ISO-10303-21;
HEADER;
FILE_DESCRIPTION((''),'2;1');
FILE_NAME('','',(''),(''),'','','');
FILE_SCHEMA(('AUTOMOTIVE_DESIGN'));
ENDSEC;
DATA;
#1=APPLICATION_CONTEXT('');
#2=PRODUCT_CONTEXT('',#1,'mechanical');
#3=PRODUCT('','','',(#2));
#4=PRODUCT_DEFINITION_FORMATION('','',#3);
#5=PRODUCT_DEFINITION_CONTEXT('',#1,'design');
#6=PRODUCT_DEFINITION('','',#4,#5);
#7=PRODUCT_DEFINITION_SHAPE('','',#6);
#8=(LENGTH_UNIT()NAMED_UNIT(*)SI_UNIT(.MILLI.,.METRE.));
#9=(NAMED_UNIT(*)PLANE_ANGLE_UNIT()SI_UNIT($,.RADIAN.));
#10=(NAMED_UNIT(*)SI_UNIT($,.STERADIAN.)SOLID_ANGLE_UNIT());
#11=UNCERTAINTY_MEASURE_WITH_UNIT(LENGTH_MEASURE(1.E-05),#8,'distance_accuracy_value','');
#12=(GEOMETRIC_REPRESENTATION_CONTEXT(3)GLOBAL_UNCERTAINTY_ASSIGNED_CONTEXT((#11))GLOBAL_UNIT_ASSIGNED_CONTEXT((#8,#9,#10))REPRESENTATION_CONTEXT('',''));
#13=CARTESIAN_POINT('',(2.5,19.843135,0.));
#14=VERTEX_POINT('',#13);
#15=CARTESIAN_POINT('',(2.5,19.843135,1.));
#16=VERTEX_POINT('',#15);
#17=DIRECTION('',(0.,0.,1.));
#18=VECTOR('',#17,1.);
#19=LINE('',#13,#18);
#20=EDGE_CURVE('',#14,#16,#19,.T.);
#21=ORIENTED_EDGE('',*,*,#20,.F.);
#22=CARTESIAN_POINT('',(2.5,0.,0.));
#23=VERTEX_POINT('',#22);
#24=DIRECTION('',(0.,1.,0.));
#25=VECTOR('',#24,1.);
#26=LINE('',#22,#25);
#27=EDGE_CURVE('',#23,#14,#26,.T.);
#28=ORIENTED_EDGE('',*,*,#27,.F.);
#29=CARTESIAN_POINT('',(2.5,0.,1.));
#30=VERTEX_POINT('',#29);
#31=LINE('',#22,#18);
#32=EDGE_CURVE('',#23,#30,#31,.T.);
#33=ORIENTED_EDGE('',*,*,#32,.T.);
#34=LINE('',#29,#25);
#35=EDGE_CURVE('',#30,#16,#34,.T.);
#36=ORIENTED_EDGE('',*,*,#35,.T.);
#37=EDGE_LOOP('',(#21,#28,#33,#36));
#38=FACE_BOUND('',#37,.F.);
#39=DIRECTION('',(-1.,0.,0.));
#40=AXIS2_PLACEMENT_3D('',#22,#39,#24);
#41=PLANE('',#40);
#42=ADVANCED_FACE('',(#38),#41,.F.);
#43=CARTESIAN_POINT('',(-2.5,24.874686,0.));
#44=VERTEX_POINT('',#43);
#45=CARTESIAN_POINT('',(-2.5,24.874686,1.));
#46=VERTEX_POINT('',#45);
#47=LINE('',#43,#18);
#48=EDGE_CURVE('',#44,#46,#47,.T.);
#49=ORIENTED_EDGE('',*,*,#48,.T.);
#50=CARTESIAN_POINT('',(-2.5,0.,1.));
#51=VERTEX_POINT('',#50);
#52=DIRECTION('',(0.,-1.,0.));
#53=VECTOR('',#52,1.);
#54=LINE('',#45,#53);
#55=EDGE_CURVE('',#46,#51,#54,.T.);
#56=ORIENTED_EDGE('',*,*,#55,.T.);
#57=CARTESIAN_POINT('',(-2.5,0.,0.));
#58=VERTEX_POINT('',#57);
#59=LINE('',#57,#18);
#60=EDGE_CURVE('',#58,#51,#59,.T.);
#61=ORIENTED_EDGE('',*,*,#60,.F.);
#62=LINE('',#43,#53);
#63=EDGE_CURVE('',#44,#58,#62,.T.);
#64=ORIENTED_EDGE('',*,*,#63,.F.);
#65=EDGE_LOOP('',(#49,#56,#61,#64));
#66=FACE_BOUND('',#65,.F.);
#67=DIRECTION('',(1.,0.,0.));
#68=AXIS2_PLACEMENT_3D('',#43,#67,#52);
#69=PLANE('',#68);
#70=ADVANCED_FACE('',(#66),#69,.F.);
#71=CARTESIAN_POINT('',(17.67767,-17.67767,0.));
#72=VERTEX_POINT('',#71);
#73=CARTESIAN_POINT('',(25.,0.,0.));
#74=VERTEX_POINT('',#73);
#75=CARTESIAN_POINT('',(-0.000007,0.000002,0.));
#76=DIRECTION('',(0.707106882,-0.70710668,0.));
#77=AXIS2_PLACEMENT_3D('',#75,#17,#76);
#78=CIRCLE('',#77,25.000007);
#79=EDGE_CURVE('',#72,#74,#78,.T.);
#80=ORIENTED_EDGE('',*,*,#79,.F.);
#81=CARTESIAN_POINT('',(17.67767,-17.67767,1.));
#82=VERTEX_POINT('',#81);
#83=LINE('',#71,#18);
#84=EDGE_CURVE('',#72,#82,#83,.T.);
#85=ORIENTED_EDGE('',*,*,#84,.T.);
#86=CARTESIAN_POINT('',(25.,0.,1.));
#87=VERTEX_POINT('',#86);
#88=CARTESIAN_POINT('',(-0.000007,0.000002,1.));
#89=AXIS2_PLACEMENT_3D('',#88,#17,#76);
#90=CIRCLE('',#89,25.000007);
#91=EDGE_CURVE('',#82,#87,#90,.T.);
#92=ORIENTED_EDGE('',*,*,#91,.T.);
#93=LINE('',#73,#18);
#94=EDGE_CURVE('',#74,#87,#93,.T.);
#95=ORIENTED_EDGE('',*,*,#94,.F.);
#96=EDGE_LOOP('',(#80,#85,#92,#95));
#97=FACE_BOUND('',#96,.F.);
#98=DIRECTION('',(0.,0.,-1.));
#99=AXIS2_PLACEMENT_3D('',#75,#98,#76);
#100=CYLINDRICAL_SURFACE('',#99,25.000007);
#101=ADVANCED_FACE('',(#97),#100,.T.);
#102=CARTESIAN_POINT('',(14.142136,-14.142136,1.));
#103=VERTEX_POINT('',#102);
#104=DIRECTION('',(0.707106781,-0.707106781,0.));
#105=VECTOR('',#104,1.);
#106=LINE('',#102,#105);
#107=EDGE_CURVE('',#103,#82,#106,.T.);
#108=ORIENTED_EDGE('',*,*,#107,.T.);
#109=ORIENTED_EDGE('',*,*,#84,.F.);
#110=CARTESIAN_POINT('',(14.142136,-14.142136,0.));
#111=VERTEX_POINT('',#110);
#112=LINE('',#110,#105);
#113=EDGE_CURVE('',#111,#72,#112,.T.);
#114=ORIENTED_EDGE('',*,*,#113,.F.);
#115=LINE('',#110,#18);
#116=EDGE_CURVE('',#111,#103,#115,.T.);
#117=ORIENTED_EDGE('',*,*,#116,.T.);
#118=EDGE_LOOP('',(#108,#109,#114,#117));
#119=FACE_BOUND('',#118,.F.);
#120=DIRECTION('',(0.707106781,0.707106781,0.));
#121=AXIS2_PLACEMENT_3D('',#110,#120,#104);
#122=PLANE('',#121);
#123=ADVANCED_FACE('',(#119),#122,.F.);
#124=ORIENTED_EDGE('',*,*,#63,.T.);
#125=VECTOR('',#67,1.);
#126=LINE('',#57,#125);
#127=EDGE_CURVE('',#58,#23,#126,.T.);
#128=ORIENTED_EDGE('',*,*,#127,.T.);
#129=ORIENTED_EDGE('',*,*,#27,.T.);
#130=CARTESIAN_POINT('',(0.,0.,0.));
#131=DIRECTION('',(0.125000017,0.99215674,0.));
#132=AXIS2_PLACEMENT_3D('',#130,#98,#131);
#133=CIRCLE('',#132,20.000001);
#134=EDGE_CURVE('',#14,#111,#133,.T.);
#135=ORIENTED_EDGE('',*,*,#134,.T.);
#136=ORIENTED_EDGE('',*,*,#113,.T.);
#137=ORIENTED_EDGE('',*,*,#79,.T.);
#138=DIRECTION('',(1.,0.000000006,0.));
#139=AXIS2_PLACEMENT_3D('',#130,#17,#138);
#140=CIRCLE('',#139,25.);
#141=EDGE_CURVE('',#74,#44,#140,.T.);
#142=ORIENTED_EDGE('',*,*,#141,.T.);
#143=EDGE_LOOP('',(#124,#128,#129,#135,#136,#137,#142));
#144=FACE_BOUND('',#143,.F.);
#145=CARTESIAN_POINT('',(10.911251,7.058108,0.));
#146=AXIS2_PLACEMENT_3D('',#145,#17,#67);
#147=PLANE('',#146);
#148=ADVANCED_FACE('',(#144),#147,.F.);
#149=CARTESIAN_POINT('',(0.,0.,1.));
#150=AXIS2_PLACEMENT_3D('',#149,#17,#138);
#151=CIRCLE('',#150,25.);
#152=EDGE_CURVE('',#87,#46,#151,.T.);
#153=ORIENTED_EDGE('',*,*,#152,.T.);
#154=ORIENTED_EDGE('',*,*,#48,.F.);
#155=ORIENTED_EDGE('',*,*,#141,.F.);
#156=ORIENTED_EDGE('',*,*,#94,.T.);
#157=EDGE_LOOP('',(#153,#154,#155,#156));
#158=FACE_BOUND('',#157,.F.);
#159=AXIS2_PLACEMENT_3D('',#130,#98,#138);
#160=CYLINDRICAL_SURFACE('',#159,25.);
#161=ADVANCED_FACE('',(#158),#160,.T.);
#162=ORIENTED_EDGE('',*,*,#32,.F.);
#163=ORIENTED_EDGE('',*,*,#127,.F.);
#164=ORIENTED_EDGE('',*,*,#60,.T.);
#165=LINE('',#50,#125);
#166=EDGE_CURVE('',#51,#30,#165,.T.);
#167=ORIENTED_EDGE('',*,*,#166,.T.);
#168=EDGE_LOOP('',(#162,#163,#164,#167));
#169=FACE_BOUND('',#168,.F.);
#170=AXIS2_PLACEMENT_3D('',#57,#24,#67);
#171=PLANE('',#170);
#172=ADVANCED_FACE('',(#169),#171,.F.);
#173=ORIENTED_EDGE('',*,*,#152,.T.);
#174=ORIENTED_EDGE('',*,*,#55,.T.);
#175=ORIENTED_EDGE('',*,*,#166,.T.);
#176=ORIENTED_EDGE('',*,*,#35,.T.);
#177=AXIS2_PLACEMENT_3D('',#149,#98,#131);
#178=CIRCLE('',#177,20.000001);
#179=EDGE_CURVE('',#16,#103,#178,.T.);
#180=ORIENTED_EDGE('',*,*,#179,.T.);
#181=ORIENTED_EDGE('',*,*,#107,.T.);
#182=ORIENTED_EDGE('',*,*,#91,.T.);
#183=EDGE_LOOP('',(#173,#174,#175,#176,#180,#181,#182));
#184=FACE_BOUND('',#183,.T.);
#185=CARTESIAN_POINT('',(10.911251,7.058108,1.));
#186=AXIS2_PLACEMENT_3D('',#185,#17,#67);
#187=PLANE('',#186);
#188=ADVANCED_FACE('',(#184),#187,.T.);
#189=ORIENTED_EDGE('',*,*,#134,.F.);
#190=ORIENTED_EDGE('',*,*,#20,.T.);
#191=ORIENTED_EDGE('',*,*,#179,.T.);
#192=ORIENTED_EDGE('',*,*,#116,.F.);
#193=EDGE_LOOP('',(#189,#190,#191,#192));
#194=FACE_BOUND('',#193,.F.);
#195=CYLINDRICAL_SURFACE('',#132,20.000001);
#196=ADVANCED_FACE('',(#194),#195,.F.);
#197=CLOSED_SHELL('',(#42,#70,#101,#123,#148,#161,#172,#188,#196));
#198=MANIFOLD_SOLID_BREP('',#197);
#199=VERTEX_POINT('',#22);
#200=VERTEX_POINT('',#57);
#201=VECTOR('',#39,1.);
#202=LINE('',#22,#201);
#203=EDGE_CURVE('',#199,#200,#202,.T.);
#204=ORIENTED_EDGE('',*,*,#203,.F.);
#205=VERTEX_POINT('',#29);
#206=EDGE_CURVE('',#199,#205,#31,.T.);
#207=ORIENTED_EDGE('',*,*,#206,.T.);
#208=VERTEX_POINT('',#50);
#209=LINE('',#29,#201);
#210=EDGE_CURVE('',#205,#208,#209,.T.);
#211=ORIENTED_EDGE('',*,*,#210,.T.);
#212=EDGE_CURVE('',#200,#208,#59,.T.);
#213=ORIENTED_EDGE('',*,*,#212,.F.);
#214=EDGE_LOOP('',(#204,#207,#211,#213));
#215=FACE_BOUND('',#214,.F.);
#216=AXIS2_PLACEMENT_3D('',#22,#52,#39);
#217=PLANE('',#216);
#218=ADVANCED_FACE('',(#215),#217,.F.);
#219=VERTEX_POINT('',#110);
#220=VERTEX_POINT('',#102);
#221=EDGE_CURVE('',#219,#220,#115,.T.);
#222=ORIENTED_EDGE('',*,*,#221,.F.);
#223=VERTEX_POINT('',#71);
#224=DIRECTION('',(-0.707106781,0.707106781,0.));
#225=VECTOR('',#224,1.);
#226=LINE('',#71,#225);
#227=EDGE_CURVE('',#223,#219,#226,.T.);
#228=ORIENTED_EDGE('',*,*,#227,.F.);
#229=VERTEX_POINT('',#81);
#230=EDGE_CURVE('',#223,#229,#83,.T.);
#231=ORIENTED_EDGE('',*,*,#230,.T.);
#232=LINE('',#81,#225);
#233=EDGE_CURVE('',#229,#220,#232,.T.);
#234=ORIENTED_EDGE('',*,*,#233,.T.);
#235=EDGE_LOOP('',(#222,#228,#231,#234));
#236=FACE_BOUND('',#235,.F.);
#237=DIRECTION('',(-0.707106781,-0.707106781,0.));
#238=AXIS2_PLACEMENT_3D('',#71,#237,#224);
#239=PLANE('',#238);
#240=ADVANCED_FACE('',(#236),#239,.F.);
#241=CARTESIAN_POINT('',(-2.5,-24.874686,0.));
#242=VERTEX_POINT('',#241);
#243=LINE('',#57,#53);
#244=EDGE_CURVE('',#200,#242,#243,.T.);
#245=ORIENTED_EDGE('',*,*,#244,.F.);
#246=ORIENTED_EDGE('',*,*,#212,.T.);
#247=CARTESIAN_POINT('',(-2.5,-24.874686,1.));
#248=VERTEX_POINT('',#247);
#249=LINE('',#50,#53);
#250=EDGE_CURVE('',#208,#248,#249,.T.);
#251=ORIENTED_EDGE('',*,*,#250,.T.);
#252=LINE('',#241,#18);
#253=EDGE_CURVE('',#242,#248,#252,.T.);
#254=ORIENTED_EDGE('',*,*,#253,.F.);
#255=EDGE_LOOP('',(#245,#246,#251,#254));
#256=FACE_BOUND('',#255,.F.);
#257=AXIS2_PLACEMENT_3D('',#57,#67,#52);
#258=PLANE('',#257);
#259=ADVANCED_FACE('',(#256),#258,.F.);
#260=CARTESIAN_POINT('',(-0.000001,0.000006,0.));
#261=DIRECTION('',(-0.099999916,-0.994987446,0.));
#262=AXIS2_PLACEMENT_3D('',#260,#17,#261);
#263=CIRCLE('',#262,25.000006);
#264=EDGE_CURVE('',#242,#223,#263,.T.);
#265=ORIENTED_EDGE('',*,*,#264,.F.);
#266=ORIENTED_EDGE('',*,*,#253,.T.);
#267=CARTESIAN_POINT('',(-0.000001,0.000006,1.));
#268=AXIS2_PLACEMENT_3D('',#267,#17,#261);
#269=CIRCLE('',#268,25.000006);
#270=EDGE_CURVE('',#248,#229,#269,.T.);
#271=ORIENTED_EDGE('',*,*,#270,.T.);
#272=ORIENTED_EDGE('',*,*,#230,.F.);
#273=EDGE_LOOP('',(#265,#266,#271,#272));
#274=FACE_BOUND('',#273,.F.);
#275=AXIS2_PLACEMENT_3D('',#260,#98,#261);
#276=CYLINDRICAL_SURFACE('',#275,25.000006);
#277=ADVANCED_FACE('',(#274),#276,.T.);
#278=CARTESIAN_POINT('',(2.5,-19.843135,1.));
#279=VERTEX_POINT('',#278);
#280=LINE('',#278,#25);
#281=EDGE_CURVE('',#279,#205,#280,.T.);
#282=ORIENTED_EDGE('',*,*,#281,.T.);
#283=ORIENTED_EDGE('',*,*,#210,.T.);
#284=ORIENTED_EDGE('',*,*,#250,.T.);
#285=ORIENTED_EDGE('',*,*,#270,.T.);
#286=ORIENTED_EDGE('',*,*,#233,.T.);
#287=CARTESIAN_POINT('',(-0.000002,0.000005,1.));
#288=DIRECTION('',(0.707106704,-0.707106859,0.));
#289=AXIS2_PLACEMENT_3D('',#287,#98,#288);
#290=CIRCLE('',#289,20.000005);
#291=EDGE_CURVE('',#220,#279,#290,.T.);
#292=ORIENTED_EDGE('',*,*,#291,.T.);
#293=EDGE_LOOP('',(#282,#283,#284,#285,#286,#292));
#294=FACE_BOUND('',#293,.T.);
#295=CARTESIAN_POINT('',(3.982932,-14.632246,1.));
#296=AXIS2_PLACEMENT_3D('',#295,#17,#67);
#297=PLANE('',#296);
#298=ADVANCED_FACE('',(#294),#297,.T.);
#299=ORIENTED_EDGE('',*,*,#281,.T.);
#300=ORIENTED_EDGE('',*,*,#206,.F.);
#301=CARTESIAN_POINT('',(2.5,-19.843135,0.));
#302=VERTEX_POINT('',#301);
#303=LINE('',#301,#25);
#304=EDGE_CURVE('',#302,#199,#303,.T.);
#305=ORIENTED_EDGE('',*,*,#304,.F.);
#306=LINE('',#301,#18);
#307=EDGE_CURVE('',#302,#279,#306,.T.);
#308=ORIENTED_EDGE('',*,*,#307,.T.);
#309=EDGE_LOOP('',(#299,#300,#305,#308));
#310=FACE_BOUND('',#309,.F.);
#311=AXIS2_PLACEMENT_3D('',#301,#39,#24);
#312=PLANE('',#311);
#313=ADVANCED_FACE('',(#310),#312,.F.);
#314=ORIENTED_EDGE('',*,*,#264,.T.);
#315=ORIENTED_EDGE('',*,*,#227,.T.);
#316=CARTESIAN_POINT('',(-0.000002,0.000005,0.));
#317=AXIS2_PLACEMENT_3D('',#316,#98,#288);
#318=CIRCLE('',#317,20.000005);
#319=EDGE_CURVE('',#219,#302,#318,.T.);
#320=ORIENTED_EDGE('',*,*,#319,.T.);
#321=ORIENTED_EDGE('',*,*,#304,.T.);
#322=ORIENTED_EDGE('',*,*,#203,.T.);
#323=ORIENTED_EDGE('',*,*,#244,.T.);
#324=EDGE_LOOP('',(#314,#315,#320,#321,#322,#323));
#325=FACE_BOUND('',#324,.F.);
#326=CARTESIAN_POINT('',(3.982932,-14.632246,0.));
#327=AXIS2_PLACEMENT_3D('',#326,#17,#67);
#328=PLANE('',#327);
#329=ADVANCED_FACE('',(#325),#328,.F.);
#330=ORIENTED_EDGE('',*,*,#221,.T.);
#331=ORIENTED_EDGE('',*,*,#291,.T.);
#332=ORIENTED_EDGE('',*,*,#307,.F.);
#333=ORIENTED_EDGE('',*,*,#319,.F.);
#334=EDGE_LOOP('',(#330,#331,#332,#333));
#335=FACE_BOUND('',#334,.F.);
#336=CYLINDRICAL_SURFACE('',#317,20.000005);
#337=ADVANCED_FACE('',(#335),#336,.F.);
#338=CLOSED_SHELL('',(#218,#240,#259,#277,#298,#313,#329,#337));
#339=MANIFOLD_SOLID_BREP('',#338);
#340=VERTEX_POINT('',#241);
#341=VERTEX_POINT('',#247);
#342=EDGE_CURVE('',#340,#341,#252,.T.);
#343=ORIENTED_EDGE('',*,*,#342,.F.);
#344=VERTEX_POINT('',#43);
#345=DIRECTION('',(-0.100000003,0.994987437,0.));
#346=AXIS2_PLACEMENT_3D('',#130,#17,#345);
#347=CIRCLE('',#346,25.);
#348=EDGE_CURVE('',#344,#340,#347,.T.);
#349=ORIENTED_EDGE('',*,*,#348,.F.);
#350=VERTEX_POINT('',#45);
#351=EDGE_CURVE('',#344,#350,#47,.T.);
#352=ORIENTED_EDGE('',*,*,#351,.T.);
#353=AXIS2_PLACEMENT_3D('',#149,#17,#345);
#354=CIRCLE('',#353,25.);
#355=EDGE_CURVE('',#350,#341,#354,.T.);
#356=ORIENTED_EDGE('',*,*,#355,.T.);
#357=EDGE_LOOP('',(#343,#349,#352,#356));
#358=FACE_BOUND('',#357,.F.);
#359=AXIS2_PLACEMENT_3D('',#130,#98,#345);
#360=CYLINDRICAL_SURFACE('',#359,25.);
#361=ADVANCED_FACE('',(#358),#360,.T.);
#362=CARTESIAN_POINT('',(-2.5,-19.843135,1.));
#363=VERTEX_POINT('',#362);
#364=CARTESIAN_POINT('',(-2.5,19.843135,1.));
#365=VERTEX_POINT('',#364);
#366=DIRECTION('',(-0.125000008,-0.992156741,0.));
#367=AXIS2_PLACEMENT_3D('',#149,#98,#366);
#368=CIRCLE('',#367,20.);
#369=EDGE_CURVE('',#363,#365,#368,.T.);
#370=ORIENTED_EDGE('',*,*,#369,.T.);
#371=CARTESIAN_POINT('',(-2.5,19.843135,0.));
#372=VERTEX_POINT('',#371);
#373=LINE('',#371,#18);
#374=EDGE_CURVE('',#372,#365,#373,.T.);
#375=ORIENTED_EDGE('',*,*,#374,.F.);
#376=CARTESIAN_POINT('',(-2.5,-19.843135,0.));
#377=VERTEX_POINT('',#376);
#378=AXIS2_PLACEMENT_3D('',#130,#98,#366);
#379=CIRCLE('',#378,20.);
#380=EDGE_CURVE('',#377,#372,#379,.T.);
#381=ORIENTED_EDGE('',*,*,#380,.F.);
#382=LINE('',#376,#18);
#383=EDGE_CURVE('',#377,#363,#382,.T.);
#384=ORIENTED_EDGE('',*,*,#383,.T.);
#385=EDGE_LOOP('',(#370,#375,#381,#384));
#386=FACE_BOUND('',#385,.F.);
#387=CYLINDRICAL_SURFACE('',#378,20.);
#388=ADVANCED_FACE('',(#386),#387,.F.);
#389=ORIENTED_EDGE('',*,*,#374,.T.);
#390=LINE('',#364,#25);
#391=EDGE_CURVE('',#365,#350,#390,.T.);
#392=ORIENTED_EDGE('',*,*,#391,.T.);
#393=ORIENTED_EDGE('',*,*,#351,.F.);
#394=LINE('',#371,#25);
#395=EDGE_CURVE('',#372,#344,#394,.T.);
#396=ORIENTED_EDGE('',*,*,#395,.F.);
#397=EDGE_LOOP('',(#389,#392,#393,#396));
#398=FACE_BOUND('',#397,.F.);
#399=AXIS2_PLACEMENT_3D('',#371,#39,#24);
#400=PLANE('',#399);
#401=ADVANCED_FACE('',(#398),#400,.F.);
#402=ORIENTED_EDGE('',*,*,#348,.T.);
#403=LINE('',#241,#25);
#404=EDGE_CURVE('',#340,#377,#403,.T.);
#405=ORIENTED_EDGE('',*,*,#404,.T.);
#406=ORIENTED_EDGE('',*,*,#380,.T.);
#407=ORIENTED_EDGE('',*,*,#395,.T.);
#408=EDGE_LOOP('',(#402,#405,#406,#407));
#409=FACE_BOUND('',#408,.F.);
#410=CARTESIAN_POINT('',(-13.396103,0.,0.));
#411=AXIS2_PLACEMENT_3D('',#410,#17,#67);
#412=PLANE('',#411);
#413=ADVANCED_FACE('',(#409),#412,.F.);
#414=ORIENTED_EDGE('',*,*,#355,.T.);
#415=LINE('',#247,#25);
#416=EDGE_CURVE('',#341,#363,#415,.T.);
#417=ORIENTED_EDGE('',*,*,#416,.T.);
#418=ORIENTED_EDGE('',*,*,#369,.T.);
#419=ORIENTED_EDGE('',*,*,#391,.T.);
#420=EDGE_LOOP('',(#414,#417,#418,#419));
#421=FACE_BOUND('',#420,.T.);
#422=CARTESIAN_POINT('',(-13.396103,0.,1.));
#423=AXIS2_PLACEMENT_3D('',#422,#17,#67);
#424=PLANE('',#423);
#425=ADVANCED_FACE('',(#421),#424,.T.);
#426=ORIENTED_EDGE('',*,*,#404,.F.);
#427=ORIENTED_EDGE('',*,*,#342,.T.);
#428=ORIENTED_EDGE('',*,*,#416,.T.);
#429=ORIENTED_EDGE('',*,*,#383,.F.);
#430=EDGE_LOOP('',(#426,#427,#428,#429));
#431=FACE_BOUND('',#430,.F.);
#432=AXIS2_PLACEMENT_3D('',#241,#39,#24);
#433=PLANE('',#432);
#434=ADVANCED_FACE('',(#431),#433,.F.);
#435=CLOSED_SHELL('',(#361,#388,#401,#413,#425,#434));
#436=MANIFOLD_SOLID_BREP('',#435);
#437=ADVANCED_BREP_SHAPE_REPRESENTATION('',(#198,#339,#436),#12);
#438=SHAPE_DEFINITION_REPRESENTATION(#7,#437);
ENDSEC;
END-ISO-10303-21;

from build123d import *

# Parameters (mm, degrees)
F1_DEPTH = 1
F2_DEPTH = 1
F3_DEPTH = 1


with BuildPart() as f1:
    # F0 (on Top) → F1 (new body)
    with BuildSketch(Plane.XY):
        with BuildLine():
            Line((-2.5, 19.843135), (-2.5, 24.874686))
            ThreePointArc((-2.5, 24.874686), (-25, 0), (-2.5, -24.874686))
            Line((-2.5, -24.874686), (-2.5, -19.843135))
            ThreePointArc((-2.5, -19.843135), (-20, 0), (-2.5, 19.843135))
        make_face()
    extrude(amount=F1_DEPTH)


with BuildPart() as f2:
    # F0 (on Top) → F2 (new body)
    with BuildSketch(Plane.XY):
        with BuildLine():
            ThreePointArc((17.67767, -17.67767), (23.096988, -9.567086), (25, 0))
            ThreePointArc((25, 0), (16.77051, 18.540496), (-2.5, 24.874686))
            Line((-2.5, 24.874686), (-2.5, 19.843135))
            Line((-2.5, 19.843135), (-2.5, 0))
            Line((-2.5, 0), (2.5, 0))
            Line((2.5, 0), (2.5, 19.843135))
            ThreePointArc((2.5, 19.843135), (18.920619, 6.481526), (14.142136, -14.142136))
            Line((14.142136, -14.142136), (17.67767, -17.67767))
        make_face()
    extrude(amount=F2_DEPTH)


with BuildPart() as f3:
    # F0 (on Top) → F3 (new body)
    with BuildSketch(Plane.XY):
        with BuildLine():
            ThreePointArc((-2.5, -24.874686), (8.39879, -23.546981), (17.67767, -17.67767))
            Line((17.67767, -17.67767), (14.142136, -14.142136))
            ThreePointArc((14.142136, -14.142136), (8.795767, -17.962029), (2.5, -19.843135))
            Line((2.5, -19.843135), (2.5, 0))
            Line((2.5, 0), (-2.5, 0))
            Line((-2.5, 0), (-2.5, -19.843135))
            Line((-2.5, -19.843135), (-2.5, -24.874686))
        make_face()
    extrude(amount=F3_DEPTH)


solid = Compound([f1.part, f2.part, f3.part])
